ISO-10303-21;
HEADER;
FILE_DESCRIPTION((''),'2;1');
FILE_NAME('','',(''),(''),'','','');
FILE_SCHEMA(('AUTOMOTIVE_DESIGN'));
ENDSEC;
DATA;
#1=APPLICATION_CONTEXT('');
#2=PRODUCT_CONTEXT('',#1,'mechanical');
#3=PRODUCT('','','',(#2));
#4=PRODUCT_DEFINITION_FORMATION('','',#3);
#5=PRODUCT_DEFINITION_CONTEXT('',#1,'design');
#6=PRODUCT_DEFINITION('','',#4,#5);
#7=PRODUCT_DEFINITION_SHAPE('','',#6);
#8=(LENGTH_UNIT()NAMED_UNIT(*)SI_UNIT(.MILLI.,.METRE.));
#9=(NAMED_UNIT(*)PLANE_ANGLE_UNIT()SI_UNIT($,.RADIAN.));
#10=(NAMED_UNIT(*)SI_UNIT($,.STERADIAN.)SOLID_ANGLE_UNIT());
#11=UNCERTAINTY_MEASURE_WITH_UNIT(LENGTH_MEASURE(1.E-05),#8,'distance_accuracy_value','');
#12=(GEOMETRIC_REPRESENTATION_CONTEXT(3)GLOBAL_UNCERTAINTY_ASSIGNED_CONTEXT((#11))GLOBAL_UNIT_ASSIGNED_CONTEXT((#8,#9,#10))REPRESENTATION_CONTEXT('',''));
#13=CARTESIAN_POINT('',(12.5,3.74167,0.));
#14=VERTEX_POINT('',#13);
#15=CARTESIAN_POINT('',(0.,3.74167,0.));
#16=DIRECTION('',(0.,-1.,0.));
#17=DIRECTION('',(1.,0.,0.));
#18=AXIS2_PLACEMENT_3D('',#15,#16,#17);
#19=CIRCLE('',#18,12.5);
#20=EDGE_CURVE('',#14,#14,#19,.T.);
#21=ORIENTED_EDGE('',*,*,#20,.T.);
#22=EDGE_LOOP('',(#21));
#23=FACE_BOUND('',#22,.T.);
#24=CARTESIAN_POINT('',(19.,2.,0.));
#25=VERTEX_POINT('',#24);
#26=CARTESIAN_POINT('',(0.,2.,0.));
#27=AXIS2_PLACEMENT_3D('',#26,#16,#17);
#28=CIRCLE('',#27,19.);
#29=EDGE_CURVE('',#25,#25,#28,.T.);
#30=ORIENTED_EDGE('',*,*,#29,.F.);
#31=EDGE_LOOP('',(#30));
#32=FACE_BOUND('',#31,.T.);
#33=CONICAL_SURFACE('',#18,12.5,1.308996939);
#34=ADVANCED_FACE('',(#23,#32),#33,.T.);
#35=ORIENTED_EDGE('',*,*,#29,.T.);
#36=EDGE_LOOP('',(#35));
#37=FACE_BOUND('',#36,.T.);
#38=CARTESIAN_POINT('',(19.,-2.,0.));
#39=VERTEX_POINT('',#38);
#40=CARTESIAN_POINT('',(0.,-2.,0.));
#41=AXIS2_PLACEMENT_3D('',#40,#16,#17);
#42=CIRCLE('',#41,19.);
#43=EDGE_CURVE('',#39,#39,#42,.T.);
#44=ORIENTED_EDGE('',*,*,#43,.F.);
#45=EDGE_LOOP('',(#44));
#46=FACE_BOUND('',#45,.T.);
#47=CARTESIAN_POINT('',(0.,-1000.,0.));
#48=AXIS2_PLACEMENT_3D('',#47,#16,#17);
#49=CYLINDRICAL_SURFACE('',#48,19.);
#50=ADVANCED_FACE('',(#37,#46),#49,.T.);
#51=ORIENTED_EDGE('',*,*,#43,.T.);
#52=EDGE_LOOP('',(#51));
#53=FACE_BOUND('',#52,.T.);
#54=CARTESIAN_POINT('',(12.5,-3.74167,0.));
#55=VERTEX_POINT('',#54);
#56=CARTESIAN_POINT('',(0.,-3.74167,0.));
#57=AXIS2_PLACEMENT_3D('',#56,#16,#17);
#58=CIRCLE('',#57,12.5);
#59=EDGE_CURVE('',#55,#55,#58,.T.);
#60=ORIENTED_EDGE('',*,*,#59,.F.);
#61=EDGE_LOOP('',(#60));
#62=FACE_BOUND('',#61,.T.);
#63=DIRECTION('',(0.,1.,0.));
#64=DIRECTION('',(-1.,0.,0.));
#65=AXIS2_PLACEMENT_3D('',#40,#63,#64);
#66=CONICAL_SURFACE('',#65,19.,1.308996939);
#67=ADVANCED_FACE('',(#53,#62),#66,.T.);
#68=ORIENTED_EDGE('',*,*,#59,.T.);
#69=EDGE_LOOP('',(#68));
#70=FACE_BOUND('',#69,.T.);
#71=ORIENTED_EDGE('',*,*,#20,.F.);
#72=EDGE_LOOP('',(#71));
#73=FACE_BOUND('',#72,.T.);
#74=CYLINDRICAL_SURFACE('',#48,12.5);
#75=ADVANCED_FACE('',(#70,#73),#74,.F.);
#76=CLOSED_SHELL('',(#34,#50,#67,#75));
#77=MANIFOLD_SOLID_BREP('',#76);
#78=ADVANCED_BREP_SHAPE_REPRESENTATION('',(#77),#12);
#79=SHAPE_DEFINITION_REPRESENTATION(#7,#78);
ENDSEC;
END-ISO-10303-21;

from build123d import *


with BuildPart() as part:
    # Эскиз1 → Повернуть1 (revolve)
    with BuildSketch(Plane.XY, mode=Mode.PRIVATE) as revolve_1_sk:
        Polygon((-12.5, 3.741669751), (-19, 2), (-19, -2), (-12.5, -3.741669751), align=None)
    revolve(revolve_1_sk.sketch.rotate(Axis((0, -1000, 0), (0, 1, 0)), 180), axis=Axis((0, -1000, 0), (0, 1, 0)))


solid = part.part
